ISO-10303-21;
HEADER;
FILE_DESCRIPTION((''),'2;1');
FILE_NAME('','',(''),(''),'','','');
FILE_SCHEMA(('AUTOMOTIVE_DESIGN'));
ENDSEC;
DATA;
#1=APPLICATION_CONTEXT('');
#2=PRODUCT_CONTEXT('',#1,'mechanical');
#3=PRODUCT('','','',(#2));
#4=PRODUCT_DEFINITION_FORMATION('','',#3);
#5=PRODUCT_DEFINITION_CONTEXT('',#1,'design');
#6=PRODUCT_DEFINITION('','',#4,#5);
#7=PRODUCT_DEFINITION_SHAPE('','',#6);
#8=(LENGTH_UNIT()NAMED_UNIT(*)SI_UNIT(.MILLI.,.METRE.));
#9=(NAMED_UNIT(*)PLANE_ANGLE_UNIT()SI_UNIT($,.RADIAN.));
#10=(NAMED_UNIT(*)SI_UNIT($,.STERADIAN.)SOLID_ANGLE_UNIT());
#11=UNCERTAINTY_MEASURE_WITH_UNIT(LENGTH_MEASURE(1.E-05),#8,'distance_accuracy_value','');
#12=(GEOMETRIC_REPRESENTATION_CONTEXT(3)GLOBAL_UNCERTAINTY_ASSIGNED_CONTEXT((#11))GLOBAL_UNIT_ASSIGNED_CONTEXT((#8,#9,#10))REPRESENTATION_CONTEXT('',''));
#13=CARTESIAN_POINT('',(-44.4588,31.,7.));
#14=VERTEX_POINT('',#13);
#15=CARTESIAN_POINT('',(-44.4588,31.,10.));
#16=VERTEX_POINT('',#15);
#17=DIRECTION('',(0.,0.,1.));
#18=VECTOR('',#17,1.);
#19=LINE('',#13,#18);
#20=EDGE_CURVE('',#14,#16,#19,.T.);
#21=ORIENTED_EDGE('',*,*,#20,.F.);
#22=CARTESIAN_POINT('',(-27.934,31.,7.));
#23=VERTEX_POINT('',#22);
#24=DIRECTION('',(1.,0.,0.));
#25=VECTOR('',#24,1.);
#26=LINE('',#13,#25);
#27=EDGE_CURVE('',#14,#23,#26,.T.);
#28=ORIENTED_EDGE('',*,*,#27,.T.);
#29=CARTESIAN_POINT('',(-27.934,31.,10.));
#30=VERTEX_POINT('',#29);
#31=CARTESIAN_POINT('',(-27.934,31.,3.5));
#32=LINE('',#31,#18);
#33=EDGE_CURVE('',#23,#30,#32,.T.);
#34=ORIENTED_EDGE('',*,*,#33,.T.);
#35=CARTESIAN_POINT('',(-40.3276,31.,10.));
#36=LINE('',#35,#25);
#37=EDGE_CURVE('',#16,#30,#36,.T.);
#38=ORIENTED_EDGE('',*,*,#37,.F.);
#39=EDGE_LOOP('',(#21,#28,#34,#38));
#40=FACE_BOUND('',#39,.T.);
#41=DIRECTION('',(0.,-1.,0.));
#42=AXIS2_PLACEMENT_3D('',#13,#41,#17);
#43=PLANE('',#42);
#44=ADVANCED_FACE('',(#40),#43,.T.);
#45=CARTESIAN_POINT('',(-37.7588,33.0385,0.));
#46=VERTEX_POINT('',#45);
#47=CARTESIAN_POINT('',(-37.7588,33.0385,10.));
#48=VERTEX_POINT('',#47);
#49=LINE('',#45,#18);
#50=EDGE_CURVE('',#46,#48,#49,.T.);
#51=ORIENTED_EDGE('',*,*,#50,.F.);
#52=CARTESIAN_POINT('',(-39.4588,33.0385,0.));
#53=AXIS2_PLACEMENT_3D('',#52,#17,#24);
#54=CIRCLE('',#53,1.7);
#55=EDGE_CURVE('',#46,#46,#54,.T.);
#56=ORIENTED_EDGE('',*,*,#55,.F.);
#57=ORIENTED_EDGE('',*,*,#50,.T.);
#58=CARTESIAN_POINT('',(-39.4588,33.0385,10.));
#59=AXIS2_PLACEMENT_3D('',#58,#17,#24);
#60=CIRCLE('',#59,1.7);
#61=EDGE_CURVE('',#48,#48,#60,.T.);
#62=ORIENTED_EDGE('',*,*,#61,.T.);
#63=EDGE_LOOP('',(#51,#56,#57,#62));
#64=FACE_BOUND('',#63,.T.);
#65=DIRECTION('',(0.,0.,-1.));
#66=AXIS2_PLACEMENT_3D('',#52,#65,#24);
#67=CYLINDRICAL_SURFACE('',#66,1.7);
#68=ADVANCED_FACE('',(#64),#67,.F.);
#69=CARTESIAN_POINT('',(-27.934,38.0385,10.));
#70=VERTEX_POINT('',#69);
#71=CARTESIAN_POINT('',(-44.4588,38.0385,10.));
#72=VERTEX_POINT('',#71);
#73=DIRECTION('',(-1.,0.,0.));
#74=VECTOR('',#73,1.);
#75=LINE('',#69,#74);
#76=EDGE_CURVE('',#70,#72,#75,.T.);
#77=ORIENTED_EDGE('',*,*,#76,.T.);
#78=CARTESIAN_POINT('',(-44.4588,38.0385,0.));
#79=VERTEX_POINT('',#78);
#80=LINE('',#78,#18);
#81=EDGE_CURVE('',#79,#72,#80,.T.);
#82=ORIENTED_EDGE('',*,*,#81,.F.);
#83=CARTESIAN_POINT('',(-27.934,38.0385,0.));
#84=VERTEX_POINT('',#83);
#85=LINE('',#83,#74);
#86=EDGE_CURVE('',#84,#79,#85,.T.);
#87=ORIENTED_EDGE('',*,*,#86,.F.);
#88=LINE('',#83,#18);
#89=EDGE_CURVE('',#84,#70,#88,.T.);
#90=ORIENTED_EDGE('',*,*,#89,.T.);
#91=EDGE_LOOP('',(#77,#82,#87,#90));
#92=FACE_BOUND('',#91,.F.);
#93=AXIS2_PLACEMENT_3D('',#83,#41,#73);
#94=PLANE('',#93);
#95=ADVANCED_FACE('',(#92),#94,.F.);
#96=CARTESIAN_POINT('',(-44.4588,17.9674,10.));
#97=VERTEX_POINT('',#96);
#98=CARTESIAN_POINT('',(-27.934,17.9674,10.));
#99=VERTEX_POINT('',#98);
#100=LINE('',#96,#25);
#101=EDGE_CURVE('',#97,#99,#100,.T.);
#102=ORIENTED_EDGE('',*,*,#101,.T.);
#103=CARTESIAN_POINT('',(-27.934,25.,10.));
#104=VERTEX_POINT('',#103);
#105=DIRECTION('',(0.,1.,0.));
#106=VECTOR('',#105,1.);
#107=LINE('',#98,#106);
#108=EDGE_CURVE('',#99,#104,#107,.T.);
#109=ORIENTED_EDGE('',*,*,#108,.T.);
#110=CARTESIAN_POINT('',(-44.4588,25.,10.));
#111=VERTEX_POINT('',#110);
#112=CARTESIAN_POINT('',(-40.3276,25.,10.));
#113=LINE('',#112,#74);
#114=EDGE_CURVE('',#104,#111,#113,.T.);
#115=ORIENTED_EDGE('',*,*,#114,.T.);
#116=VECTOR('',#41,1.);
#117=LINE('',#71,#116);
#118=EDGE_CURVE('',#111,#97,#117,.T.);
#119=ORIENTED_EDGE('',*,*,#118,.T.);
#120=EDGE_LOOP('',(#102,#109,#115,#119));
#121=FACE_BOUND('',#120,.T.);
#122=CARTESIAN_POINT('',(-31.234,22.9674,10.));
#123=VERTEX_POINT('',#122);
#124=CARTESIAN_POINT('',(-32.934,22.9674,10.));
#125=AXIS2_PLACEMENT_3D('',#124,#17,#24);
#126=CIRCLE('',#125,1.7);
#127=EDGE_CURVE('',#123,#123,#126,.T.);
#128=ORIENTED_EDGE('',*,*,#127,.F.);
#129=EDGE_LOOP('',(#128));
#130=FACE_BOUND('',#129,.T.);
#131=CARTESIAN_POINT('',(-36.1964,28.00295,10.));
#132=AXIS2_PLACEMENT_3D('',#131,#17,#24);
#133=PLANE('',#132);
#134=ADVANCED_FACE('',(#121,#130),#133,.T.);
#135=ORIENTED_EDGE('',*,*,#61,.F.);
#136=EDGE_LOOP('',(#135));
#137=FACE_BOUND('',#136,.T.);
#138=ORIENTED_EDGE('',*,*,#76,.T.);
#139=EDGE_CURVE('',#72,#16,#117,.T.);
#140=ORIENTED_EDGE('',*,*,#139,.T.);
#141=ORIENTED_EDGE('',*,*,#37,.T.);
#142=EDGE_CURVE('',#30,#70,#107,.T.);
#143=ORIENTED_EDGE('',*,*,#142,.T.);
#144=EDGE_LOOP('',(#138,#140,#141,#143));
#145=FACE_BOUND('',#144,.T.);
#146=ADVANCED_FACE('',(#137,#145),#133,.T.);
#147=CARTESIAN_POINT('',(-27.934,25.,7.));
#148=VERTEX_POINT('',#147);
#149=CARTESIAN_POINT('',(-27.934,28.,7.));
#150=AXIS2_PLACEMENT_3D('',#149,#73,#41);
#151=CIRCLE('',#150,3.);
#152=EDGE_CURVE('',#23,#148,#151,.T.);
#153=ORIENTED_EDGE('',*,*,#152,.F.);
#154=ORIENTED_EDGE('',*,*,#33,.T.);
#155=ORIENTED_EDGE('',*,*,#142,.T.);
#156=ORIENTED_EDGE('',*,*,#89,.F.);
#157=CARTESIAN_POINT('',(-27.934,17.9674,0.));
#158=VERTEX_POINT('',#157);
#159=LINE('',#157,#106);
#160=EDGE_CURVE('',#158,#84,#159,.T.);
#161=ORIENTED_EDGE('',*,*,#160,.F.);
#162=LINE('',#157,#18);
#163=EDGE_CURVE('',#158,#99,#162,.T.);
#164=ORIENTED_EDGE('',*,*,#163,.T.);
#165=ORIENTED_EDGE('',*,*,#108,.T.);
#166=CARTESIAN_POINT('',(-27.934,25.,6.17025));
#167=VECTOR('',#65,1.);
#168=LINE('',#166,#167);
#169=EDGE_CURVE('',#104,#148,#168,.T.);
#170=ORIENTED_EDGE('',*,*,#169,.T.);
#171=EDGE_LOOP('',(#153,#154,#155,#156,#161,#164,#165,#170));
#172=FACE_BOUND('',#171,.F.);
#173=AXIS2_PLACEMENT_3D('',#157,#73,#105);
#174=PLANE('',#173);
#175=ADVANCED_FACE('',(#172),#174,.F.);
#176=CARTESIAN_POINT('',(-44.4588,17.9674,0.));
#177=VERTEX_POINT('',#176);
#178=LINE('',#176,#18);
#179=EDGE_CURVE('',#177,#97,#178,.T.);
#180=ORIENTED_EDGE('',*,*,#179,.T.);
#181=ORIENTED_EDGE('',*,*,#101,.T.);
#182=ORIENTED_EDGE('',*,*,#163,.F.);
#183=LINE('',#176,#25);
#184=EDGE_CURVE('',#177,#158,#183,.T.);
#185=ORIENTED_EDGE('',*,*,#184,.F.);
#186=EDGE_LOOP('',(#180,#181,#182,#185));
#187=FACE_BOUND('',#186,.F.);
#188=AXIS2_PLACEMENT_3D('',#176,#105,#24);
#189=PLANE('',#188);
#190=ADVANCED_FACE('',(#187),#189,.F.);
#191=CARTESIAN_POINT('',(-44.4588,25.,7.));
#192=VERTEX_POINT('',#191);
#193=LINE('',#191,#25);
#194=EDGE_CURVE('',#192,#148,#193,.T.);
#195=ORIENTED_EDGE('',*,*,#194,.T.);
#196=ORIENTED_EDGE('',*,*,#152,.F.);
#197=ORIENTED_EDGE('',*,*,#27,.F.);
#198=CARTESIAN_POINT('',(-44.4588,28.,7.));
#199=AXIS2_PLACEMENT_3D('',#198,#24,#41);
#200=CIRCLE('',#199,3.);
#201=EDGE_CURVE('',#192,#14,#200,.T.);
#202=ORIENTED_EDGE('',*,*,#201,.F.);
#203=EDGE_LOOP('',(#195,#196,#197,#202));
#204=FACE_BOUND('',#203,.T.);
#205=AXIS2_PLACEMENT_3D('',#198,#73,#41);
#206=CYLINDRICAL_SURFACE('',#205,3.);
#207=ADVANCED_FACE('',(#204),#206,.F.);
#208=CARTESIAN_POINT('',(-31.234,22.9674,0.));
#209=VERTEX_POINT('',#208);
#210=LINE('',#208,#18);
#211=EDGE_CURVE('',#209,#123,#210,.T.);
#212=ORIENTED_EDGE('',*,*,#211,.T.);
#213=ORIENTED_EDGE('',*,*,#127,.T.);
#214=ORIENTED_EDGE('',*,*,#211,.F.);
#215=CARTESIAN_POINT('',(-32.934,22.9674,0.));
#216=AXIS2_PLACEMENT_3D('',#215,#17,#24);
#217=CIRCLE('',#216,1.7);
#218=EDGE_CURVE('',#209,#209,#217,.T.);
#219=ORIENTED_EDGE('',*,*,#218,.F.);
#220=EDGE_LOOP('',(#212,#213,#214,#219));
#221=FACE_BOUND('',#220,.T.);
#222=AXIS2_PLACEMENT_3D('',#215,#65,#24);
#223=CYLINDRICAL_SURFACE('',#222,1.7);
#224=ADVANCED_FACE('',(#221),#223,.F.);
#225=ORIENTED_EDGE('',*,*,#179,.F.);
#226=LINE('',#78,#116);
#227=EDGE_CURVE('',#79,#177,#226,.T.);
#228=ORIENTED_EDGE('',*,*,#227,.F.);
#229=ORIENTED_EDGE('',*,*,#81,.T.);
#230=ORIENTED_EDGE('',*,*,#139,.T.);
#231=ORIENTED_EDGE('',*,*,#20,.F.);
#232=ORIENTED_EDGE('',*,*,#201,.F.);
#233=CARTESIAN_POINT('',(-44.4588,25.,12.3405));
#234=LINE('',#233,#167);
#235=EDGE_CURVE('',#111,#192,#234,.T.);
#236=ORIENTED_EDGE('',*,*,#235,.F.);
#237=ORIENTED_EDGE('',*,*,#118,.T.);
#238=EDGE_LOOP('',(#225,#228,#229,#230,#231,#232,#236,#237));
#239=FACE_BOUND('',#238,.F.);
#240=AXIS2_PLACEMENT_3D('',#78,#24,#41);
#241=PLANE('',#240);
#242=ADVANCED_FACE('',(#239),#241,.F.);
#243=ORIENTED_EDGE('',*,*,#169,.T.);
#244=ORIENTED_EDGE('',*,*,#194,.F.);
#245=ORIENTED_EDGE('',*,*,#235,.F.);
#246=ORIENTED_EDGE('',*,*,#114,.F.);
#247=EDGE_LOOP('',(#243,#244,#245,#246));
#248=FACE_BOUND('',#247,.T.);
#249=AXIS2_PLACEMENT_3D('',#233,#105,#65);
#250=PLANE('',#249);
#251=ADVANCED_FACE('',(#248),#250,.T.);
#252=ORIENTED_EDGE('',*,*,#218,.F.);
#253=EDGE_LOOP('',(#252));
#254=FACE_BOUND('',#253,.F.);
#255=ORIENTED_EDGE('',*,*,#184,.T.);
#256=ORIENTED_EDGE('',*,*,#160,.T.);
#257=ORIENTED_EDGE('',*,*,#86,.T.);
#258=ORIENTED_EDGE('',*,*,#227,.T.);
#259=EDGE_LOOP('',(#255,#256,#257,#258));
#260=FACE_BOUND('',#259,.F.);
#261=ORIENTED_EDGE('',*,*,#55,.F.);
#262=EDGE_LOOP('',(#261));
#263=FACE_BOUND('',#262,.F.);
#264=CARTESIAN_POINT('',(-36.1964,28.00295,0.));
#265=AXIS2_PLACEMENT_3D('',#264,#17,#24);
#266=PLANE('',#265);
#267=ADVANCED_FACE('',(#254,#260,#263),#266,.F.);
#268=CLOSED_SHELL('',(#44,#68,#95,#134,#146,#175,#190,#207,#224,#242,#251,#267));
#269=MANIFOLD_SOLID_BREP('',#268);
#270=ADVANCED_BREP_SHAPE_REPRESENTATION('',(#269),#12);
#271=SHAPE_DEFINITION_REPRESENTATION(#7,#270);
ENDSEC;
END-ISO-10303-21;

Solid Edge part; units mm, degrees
sketch "Sketch1" plane through (0, 0, 0) normal (0, 0, 1) x (1, 0, 0)
  circle A0 centre (-32.934, 22.9674) radius 1.7
  line L0 (-44.4588, 17.9674) -> (-27.934, 17.9674)
  line L1 (-27.934, 17.9674) -> (-27.934, 38.0385)
  line L2 (-27.934, 38.0385) -> (-44.4588, 38.0385)
  line L3 (-44.4588, 38.0385) -> (-44.4588, 17.9674)
  circle A1 centre (-39.4588, 33.0385) radius 1.7
  dimension "D1" = 5
  dimension "D2" = 5
  dimension "D3" = 5
  dimension "D4" = 5
extrude "Protrusion1" add sketch "Sketch1" along normal blind 10
sketch "Sketch2" plane through (-44.4588, 28.0029, 5) normal (-1, 0, 0) x (0, -1, 0)
  line L0 (-2.9971, 2) -> (-2.9971, 7.3405)
  line L1 (-2.9971, 7.3405) -> (3.0029, 7.3405)
  line L2 (3.0029, 7.3405) -> (3.0029, 2)
  arc A0 (3.0029, 2) -> (-2.9971, 2) centre (0.0029, 2) cw
extrude "Cutout1" cut sketch "Sketch2" against normal through all
